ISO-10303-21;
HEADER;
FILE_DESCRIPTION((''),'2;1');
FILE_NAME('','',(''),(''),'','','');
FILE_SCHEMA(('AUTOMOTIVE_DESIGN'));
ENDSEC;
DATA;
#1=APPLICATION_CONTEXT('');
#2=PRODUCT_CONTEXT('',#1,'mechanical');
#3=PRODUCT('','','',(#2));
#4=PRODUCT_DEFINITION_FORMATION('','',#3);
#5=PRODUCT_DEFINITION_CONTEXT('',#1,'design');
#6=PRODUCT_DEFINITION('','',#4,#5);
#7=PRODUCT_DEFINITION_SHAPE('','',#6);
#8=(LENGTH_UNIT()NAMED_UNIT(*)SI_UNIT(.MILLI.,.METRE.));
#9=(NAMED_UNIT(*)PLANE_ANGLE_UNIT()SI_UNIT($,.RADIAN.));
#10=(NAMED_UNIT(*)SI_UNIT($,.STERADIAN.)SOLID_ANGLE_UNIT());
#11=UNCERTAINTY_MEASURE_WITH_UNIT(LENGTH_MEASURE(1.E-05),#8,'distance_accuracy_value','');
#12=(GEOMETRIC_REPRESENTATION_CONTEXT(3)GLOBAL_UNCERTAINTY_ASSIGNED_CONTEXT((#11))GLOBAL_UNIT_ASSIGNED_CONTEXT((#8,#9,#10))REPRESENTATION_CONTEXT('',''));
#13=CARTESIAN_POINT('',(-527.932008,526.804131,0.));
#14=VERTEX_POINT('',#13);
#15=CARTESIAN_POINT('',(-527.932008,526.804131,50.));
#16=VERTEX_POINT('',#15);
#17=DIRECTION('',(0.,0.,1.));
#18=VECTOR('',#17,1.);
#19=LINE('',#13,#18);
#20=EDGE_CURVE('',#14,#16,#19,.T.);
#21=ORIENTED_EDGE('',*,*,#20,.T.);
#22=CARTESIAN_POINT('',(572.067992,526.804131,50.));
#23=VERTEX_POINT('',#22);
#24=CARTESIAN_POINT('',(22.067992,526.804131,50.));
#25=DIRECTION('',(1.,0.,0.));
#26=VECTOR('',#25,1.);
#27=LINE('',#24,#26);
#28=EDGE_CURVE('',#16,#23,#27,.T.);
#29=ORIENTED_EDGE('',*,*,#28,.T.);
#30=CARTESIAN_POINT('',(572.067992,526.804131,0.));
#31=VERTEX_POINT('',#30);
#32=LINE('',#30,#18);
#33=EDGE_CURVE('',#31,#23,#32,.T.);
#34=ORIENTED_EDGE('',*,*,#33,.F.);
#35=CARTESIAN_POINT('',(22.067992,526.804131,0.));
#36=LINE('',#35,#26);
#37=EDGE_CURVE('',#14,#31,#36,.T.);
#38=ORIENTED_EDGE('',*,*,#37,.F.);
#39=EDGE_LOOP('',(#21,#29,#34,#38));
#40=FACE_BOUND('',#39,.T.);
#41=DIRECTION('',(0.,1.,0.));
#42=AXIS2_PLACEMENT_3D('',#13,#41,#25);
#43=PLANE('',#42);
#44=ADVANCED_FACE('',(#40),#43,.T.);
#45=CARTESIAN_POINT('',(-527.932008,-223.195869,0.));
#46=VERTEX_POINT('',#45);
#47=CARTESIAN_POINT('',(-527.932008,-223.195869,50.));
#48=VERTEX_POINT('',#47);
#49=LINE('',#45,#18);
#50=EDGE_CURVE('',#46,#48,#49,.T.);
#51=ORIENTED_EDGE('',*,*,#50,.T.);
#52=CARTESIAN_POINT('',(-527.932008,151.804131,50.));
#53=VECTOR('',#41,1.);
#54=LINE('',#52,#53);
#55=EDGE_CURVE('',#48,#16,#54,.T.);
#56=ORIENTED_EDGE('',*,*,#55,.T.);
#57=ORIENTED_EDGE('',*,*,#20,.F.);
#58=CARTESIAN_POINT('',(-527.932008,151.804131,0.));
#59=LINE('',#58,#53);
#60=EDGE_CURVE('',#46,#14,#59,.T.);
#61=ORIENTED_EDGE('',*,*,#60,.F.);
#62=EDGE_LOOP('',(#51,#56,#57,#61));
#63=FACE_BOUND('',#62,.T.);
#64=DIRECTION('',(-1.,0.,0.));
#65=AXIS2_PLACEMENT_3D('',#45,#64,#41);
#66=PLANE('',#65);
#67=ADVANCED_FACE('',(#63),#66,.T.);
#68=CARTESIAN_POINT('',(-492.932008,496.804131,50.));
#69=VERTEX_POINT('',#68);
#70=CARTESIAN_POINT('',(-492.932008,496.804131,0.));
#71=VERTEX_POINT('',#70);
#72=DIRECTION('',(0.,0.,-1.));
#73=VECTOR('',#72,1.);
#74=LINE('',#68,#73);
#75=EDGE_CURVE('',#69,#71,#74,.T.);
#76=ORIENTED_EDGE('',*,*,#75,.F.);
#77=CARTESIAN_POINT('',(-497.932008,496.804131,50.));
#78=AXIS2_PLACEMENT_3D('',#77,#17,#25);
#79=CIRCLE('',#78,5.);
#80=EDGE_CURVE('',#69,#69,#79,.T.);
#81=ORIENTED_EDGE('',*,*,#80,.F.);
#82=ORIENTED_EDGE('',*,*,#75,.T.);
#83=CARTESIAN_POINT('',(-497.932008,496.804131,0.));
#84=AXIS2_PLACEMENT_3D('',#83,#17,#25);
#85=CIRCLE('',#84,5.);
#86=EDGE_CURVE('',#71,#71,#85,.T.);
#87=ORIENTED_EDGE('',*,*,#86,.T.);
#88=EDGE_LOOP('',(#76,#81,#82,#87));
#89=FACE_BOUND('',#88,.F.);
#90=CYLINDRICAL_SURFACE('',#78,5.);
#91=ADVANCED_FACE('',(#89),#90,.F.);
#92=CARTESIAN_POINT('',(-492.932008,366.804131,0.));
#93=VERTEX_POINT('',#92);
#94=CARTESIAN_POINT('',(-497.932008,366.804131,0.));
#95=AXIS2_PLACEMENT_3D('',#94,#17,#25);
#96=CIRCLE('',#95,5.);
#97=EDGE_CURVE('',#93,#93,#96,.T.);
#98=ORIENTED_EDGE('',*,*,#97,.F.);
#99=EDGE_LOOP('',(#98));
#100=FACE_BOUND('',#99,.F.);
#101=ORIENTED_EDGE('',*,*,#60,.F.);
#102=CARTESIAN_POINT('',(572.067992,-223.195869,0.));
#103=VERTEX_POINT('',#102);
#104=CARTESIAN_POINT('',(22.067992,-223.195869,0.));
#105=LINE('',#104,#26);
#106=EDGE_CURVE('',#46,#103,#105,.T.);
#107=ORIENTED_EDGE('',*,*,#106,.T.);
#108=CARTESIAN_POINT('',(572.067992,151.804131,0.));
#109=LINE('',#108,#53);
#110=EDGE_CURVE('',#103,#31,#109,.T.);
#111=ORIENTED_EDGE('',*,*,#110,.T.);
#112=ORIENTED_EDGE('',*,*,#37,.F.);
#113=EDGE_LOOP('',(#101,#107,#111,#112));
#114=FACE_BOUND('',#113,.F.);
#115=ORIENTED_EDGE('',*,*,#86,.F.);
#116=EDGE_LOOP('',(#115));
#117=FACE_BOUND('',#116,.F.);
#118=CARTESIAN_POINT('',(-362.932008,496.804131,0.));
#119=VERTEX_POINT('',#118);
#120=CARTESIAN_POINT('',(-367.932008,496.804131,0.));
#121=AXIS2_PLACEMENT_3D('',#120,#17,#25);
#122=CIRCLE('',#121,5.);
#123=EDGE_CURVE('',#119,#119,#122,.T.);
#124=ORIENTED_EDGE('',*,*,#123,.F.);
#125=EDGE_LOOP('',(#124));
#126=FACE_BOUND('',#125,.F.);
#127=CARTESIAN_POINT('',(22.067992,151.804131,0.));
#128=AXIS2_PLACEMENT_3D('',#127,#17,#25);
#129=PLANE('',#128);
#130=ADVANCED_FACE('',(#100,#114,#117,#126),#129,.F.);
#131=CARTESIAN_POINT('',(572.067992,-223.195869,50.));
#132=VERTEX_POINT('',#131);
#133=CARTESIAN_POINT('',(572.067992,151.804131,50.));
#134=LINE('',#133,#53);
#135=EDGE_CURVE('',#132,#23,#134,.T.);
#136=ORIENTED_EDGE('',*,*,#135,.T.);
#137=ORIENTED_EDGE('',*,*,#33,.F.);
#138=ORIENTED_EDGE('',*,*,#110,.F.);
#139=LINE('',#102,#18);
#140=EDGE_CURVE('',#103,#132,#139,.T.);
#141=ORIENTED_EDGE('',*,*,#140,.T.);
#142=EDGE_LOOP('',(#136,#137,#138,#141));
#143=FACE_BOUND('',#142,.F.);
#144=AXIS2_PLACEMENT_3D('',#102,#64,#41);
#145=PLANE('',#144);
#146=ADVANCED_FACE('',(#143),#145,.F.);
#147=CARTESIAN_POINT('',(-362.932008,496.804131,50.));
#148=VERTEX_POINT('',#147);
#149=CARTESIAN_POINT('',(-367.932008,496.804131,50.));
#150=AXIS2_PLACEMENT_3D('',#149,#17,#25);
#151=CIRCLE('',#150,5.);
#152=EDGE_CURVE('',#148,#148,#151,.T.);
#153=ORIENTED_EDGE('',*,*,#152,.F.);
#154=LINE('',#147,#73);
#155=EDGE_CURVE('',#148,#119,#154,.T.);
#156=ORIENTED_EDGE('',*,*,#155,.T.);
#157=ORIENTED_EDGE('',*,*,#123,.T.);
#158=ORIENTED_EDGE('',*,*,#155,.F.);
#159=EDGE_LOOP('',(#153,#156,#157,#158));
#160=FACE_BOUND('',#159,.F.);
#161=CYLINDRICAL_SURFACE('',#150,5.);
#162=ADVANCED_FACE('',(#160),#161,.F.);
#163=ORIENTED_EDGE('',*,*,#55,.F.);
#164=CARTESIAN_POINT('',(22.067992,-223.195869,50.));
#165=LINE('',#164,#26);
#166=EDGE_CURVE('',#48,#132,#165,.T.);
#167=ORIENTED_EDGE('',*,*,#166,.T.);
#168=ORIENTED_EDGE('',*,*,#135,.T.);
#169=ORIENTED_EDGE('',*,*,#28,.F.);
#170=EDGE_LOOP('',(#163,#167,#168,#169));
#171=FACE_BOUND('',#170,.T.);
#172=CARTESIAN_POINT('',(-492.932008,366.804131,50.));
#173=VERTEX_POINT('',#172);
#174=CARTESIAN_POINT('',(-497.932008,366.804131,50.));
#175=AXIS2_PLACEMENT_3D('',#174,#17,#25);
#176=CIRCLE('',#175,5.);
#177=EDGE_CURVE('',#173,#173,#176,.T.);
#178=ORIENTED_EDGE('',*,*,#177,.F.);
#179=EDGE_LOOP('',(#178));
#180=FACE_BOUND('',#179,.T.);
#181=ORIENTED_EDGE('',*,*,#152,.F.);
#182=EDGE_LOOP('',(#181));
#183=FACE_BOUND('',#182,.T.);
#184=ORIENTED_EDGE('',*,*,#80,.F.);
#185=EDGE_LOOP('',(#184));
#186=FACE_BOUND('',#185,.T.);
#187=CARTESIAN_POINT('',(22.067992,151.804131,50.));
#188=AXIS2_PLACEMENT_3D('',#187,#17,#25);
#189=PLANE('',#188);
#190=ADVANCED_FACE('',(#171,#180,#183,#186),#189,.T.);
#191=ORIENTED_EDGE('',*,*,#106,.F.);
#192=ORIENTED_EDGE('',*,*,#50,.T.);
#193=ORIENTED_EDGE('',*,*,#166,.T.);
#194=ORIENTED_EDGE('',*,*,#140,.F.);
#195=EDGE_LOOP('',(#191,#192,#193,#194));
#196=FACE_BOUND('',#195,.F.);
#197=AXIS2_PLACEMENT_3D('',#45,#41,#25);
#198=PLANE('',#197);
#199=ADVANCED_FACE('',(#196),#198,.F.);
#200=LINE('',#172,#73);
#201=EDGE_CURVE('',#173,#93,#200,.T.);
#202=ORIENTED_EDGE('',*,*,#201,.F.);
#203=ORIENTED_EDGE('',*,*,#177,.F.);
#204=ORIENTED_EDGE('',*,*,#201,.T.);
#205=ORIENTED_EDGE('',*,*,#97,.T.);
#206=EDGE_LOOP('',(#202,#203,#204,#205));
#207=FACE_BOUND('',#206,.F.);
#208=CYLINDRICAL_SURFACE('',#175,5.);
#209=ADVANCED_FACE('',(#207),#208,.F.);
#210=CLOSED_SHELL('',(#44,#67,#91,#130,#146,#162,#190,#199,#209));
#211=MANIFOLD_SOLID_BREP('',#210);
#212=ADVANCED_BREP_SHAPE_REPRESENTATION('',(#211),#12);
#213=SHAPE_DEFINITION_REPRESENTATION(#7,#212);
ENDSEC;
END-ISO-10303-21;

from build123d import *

# Parameters (mm, degrees)
F0_W     = 1100
F0_H     = 750
F1_DEPTH = 50
F2_R     = 5
F3_DEPTH = 50.001


with BuildPart() as f1:
    # F0 (on Top) → F1 (new body)
    with BuildSketch(Plane.XY):
        with Locations((22.067992, 151.804131)):
            Rectangle(F0_W, F0_H)
    extrude(amount=F1_DEPTH)

    # F2 (on face) → F3 (cut, through all)
    with BuildSketch(Plane.XY.offset(50)):
        with Locations((-497.932008, 496.804131)):
            Circle(F2_R)
        with Locations((-367.932008, 496.804131)):
            Circle(F2_R)
        with Locations((-497.932008, 366.804131)):
            Circle(F2_R)
    extrude(amount=-F3_DEPTH, mode=Mode.SUBTRACT)


solid = f1.part
